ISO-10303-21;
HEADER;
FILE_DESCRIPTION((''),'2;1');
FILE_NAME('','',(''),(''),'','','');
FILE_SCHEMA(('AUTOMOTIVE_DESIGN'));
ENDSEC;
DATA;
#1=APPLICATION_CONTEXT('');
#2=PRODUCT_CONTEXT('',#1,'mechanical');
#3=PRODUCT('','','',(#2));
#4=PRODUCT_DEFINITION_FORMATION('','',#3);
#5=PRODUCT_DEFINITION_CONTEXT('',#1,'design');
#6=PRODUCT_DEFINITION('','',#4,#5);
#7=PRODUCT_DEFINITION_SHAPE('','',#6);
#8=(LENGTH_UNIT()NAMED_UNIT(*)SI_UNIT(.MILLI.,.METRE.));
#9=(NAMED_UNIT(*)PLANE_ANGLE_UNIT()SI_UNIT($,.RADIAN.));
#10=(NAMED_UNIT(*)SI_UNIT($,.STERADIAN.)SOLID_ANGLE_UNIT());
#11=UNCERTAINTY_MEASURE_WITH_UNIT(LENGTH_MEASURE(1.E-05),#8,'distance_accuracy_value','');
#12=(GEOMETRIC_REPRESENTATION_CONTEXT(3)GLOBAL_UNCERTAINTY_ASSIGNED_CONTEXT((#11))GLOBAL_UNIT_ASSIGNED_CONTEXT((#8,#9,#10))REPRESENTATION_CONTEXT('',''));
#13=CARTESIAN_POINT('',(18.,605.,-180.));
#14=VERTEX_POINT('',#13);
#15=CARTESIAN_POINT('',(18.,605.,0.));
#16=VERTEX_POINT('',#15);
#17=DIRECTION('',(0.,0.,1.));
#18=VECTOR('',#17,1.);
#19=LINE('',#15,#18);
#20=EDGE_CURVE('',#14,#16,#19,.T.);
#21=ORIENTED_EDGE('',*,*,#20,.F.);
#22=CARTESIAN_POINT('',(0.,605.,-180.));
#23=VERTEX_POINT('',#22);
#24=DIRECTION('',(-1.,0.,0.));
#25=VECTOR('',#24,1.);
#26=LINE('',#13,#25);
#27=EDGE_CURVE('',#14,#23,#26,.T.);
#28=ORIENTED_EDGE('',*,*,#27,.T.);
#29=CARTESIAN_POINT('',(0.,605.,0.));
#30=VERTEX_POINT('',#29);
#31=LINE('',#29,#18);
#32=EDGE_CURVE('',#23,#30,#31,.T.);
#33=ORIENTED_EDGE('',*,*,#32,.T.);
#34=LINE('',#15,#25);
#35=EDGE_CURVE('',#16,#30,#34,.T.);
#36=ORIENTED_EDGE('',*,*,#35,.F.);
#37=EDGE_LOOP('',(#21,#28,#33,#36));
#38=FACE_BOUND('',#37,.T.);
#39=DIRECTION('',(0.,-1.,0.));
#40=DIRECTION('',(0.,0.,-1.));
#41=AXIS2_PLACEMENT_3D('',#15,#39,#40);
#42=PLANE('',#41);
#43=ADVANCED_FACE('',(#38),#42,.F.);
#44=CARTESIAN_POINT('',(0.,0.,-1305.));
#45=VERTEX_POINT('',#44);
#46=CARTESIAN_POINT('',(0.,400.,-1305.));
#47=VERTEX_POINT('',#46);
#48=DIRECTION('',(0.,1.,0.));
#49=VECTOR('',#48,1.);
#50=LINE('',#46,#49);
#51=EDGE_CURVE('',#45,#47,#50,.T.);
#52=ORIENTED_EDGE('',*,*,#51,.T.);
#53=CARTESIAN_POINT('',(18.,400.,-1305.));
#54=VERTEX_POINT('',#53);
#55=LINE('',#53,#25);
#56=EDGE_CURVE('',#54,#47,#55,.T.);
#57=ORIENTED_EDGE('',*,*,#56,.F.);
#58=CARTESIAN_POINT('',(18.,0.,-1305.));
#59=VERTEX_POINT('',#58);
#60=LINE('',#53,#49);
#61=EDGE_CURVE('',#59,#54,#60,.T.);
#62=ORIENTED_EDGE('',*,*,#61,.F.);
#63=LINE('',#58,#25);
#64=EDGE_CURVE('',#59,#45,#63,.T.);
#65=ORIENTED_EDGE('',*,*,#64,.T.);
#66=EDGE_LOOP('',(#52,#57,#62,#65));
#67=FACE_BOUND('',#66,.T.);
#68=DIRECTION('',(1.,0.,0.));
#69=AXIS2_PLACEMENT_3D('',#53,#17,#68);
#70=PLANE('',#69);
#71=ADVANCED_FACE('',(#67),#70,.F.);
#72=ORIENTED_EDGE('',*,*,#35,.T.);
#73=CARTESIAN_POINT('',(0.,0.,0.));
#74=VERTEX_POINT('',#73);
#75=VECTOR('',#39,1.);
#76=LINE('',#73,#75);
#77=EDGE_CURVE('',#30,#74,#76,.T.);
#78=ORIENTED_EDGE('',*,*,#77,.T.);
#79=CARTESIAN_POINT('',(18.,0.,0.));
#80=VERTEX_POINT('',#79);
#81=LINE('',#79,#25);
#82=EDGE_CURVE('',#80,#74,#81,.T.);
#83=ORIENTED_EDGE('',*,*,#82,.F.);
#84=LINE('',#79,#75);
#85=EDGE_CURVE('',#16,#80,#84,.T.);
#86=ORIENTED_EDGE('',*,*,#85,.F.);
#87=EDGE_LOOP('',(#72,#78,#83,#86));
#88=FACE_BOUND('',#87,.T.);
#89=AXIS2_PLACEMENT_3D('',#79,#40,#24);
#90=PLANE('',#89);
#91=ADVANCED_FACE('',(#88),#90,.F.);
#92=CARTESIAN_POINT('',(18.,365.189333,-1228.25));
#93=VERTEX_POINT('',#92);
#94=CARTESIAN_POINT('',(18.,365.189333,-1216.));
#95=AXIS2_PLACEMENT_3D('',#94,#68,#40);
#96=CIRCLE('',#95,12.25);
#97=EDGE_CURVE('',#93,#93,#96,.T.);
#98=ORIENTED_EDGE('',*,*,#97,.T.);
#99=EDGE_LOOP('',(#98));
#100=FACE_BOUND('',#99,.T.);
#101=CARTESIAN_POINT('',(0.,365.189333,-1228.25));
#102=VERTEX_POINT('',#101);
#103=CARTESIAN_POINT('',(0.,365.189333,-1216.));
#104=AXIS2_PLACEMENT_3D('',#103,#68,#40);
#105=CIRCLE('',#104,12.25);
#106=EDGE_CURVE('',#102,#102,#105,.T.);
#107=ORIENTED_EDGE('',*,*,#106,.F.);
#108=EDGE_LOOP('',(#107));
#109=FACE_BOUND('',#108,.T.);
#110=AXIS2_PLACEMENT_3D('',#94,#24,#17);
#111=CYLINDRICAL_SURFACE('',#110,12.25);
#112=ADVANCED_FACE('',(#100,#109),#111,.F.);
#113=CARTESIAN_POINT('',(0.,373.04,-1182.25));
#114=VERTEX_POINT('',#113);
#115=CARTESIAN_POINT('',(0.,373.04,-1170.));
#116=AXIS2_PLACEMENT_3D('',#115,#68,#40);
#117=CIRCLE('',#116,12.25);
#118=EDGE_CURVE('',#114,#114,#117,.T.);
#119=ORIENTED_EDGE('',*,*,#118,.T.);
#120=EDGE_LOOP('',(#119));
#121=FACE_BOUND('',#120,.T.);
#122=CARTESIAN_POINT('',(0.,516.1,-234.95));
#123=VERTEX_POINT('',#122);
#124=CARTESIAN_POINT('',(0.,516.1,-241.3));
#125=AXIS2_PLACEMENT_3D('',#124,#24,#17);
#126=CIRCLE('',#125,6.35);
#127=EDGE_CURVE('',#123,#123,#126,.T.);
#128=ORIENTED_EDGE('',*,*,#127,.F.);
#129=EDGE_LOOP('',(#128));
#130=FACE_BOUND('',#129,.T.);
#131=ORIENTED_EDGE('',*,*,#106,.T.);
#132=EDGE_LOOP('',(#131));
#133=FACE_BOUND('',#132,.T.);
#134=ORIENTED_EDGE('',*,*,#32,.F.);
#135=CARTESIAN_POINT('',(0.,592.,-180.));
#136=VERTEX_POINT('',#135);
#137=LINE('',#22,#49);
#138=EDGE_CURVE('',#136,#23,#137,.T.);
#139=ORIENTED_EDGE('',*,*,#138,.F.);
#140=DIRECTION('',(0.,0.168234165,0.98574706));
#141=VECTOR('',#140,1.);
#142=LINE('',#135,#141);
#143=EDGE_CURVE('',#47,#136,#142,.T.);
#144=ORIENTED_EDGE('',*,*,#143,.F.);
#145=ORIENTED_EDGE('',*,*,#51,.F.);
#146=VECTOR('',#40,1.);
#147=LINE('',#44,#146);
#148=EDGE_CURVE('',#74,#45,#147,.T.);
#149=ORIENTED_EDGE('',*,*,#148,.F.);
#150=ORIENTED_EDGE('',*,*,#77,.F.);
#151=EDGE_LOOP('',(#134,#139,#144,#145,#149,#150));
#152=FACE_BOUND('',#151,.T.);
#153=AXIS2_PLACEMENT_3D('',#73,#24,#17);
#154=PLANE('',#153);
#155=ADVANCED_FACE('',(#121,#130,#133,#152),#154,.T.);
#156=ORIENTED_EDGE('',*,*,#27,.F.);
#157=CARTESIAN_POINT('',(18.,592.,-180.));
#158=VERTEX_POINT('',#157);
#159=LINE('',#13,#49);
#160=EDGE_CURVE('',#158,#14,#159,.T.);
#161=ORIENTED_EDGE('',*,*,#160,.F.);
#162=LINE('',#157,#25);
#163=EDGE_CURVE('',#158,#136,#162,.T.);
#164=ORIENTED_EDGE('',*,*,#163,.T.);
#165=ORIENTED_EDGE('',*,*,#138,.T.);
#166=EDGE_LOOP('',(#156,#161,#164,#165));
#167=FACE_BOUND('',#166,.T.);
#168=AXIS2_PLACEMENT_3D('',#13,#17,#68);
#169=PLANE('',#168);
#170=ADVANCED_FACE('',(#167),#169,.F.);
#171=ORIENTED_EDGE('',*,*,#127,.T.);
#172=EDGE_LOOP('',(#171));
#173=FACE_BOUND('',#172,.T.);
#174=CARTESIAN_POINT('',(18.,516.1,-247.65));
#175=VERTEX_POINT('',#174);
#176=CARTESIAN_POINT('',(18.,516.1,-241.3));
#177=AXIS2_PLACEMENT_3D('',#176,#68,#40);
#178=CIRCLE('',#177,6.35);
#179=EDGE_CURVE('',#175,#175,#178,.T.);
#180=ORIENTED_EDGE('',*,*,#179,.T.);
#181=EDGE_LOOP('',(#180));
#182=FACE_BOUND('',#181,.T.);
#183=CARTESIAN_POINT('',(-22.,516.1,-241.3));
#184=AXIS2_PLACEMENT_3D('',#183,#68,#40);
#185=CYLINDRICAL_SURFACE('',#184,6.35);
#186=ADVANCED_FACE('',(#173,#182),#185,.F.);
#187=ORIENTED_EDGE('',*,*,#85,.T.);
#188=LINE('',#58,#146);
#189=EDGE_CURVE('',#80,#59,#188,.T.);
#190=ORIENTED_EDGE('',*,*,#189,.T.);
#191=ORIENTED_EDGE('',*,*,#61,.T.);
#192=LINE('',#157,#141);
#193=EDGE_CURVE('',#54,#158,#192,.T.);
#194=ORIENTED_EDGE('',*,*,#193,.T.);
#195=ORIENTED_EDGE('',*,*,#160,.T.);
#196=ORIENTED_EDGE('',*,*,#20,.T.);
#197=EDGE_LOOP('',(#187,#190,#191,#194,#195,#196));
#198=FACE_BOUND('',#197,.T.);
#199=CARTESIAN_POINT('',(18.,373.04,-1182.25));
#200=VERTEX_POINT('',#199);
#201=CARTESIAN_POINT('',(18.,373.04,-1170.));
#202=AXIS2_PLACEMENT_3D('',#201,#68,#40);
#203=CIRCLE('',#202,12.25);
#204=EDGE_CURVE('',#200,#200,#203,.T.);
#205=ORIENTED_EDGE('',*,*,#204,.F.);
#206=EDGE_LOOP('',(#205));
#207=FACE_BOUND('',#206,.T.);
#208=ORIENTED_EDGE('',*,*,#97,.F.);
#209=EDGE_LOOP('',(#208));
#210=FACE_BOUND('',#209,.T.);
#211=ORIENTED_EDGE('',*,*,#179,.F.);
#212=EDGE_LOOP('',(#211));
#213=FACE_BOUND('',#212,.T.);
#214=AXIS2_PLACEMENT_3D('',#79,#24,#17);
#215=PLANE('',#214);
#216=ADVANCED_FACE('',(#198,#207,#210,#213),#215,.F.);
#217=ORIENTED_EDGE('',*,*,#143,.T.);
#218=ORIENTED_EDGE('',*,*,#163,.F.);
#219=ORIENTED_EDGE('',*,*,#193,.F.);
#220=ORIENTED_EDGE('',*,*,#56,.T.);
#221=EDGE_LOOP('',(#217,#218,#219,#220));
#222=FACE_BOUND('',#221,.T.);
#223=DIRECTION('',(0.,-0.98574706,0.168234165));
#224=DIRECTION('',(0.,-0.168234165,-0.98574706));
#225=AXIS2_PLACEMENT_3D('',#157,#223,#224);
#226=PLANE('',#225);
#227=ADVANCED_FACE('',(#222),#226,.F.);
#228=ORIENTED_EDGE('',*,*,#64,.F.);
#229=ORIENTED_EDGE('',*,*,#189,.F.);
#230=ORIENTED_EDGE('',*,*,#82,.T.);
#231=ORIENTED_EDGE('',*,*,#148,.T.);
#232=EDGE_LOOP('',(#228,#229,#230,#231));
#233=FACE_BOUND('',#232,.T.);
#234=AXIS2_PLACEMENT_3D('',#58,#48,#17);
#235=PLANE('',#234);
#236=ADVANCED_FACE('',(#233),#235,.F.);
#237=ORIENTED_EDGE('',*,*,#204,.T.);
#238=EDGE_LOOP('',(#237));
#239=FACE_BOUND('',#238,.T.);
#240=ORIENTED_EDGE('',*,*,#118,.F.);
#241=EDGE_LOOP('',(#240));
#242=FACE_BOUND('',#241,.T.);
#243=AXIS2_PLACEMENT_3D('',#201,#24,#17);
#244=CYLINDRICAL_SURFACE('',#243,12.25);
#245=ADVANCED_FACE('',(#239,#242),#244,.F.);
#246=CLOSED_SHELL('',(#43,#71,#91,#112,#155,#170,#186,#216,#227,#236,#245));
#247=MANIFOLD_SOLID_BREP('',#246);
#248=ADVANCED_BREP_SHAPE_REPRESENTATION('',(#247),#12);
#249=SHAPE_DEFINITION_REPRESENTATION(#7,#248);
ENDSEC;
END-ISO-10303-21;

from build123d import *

# Parameters (mm, degrees)
SKETCH1_R           = 12.25
BOSS_EXTRUDE1_DEPTH = 18
SKETCH2_R           = 6.35
CUT_EXTRUDE1_DEPTH  = 40


with BuildPart() as part:
    # Sketch1 → Boss-Extrude1 (new body)
    with BuildSketch(Plane(origin=(0, 0, 0), x_dir=(0, 0, -1), z_dir=(1, 0, 0))):
        Polygon((0, 0), (0, 605), (180, 605), (180, 592), (1305, 400), (1305, 0), align=None)
        with Locations((1216, 365.189333333)):
            Circle(SKETCH1_R, mode=Mode.SUBTRACT)
        with Locations((1170, 373.04)):
            Circle(SKETCH1_R, mode=Mode.SUBTRACT)
    extrude(amount=BOSS_EXTRUDE1_DEPTH)

    # Sketch2 → Cut-Extrude1 (cut)
    with BuildSketch(Plane(origin=(18, 0, 0), x_dir=(0, 0, -1), z_dir=(1, 0, 0))):
        with Locations((241.3, 516.1)):
            Circle(SKETCH2_R)
    extrude(amount=-CUT_EXTRUDE1_DEPTH, mode=Mode.SUBTRACT)


solid = part.part
